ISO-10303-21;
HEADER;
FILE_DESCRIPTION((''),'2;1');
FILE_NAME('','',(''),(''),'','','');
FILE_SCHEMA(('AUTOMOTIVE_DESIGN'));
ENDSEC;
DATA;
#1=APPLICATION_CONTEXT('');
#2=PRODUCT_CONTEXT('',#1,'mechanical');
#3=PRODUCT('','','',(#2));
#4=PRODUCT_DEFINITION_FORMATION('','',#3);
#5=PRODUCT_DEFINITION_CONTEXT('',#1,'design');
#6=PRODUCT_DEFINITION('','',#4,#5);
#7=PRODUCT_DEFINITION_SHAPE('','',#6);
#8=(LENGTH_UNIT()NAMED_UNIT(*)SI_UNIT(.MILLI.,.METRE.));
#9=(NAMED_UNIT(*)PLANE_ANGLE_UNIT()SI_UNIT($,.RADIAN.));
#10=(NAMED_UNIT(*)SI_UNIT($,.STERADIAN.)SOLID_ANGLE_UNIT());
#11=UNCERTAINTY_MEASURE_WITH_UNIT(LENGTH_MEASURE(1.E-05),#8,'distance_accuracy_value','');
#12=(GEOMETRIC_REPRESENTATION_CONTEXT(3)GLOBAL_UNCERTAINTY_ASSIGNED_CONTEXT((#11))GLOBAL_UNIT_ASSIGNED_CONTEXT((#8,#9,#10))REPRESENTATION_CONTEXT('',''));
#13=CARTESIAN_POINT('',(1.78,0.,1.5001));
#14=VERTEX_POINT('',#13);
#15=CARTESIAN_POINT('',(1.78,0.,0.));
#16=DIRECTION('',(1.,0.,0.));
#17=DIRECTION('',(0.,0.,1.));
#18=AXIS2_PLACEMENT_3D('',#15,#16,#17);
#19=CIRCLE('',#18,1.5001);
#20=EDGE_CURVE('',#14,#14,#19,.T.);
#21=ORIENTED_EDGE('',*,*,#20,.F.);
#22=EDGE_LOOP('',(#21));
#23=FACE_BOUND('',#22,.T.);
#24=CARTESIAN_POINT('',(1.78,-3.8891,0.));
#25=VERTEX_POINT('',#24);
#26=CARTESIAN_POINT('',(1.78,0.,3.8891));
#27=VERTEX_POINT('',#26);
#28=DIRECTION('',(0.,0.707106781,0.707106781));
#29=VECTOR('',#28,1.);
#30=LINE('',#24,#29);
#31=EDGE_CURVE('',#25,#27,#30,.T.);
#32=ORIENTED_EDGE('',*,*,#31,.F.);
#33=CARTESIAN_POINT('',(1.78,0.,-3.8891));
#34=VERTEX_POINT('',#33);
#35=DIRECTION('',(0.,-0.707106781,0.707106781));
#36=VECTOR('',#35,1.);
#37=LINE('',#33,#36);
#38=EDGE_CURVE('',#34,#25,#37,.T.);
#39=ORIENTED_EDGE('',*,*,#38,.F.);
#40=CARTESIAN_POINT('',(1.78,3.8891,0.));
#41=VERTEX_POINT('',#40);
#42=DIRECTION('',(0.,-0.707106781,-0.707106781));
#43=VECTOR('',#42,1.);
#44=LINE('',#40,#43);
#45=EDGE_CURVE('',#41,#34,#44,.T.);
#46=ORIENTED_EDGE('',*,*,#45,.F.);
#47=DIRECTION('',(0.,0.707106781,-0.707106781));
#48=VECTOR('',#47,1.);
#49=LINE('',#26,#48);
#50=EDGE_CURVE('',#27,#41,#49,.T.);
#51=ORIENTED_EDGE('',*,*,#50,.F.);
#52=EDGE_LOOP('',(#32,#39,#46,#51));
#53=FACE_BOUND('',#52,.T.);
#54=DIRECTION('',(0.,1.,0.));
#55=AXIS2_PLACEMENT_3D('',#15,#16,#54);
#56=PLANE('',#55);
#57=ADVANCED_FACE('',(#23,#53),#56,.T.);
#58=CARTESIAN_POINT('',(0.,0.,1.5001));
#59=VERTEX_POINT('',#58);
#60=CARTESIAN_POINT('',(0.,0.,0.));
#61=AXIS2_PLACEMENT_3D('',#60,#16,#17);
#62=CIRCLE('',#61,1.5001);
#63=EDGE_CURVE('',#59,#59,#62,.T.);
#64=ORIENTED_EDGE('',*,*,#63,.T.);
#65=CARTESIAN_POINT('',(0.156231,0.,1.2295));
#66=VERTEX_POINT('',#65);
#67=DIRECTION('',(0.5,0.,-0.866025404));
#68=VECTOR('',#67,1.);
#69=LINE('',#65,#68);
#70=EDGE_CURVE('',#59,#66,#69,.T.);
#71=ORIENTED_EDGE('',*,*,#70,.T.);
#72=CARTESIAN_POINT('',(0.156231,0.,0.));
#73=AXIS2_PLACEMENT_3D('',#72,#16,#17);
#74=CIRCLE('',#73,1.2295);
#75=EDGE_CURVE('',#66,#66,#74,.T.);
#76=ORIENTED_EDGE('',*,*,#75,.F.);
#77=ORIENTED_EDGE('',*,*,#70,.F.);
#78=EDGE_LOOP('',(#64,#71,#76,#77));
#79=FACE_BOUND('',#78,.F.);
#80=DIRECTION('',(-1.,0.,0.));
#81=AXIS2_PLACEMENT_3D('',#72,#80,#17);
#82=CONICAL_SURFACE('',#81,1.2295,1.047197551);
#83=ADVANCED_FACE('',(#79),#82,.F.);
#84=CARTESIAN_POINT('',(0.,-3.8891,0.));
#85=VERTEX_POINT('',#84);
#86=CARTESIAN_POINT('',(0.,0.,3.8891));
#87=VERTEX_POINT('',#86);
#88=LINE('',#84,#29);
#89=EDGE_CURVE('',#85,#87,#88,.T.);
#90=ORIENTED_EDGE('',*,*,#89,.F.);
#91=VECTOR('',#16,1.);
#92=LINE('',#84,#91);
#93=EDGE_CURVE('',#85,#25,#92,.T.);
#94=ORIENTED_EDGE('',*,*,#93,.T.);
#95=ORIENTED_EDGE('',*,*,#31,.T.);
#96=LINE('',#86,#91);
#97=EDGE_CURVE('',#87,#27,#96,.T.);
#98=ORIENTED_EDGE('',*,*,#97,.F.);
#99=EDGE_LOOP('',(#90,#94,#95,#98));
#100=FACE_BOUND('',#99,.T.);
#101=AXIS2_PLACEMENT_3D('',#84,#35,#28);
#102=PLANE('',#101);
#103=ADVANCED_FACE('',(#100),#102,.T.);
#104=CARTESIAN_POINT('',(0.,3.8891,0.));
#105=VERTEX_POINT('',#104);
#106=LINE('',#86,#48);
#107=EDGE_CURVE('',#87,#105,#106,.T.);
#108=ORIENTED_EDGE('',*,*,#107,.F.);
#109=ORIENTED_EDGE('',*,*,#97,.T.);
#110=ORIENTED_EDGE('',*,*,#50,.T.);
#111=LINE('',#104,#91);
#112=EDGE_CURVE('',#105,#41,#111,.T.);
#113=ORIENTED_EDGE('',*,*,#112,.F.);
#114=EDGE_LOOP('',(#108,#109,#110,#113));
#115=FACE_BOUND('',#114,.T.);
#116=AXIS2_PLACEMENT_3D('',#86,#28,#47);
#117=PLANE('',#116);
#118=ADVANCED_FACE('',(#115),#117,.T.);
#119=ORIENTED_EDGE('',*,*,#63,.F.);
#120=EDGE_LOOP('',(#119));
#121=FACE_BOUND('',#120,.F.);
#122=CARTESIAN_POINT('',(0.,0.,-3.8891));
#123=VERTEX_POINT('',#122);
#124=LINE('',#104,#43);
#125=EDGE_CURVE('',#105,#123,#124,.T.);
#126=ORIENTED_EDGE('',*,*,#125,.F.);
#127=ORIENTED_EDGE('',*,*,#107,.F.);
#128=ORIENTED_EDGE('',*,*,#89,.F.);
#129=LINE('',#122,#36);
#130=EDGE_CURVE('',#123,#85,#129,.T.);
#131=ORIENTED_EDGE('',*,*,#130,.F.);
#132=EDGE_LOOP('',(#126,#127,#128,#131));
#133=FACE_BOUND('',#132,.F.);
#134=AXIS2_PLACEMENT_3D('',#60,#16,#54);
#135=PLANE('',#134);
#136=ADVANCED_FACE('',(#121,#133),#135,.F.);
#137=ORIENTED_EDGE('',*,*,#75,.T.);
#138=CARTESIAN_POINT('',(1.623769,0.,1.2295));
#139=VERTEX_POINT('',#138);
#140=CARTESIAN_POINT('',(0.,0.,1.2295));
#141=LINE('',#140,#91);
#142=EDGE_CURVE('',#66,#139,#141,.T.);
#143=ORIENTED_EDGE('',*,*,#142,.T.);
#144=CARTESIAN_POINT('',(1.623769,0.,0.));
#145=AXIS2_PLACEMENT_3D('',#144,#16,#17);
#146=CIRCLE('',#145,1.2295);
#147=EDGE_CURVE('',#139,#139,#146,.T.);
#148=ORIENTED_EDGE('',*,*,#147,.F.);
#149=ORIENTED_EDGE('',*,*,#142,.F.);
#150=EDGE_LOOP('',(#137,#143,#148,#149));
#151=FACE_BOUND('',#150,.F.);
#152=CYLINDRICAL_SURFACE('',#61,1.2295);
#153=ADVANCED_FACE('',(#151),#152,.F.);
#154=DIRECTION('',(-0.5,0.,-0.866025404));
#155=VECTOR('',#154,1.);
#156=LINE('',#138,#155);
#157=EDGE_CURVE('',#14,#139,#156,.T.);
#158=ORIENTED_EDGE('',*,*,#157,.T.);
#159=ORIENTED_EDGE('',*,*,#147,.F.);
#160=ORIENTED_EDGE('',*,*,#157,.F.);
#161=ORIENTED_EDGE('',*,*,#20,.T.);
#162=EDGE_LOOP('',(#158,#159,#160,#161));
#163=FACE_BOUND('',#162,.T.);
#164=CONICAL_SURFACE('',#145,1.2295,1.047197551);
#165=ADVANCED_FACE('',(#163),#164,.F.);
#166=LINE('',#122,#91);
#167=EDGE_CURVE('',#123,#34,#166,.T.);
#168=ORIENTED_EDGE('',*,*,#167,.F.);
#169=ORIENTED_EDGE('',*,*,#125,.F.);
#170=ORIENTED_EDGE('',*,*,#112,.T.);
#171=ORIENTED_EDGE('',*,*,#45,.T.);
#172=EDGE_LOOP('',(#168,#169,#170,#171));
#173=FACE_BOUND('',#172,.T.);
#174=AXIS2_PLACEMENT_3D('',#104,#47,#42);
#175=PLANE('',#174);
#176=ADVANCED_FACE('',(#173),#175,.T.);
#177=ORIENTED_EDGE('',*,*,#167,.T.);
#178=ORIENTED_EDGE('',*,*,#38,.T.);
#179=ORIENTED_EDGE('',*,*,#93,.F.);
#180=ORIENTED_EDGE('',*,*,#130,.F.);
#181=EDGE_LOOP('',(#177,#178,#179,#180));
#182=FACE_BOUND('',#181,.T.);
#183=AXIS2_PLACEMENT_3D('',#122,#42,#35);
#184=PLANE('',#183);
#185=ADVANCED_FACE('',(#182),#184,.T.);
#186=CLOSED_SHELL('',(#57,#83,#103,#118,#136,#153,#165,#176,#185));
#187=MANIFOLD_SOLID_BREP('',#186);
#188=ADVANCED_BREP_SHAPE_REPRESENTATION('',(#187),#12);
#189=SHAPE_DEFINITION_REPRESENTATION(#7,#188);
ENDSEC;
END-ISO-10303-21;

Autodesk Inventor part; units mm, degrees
ref_plane "YZ Plane" through (0, 0, 0) normal (1, 0, 0) x (0, 1, 0)
ref_plane "XZ Plane" through (0, 0, 0) normal (0, 1, 0) x (-1, 0, 0)
sketch "Sketch1" plane through (0, 0, 0) normal (1, 0, 0) x (0, 1, 0)
  line L0 (0, -3.8891) -> (-3.8891, 0)
  line L1 (-3.8891, 0) -> (0, 3.8891)
  line L2 (0, 3.8891) -> (3.8891, 0)
  line L3 (3.8891, 0) -> (0, -3.8891)
  line L4 (-5.4447, 0) -> (5.4447, 0) projected
  point P0 (0, 0)
  point P1 (0, 0)
  dimension "d0" = 7.7782
extrude "Body" add sketch "Sketch1" along normal blind 1.78
sketch "Sketch2" plane through (0, 0, 0) normal (-1, 0, 0) x (0, 0, 1)
  point P0 (0, 0)
  point P1 (0, 0)
hole "Thread" at (0, 0, 0) direction (1, 0, 0) diameter 2.459 end through all thread size "M3x0.5" class "6H" standard "ISO Metric profile"
chamfer "Chamfer1" distance 0.2706 angle 30 1 edges at (0, 0, -1.2295) measured on face at (0, -1.5681, 1.6031)
chamfer "Chamfer2" distance 0.2706 angle 30 1 edges at (1.78, 0, -1.2295) measured on face at (1.78, -1.5681, 1.6031)
ref_plane "Work Plane1" through (11.1431, 0, 0) normal (0, 0.7071, -0.7071) x (-1, 0, 0)
equation "\"d0\" = 1.41421 * SW"
equation "\"d1\" = KOH"
equation "\"d3\" = -0.5 * GD1 + 0.5 * NND"
equation "\"d35\" = -0.5 * GD1 + 0.5 * NND"
equation "\"d5\" = -0.5 * GD1 + 0.5 * NND"
equation "\"d36\" = -0.5 * GD1 + 0.5 * NND"
equation "\"NND\" = 3"
equation "\"KOH\" = 1.78"
equation "\"SW\" = 5.5"
equation "\"GUL\" = 0.541266 * PTC"
equation "\"THREADDIA\" = 3"
equation "\"TOA\" = 30deg"
equation "\"PTC\" = 0.5"
equation "\"E0\" = 1.155 * SW"
equation "\"GAL\" = 0.541266 * PTC"
equation "\"GD1\" = 2.458734"
properties part number "AS 1474 - M3" material "Steel, Mild"
